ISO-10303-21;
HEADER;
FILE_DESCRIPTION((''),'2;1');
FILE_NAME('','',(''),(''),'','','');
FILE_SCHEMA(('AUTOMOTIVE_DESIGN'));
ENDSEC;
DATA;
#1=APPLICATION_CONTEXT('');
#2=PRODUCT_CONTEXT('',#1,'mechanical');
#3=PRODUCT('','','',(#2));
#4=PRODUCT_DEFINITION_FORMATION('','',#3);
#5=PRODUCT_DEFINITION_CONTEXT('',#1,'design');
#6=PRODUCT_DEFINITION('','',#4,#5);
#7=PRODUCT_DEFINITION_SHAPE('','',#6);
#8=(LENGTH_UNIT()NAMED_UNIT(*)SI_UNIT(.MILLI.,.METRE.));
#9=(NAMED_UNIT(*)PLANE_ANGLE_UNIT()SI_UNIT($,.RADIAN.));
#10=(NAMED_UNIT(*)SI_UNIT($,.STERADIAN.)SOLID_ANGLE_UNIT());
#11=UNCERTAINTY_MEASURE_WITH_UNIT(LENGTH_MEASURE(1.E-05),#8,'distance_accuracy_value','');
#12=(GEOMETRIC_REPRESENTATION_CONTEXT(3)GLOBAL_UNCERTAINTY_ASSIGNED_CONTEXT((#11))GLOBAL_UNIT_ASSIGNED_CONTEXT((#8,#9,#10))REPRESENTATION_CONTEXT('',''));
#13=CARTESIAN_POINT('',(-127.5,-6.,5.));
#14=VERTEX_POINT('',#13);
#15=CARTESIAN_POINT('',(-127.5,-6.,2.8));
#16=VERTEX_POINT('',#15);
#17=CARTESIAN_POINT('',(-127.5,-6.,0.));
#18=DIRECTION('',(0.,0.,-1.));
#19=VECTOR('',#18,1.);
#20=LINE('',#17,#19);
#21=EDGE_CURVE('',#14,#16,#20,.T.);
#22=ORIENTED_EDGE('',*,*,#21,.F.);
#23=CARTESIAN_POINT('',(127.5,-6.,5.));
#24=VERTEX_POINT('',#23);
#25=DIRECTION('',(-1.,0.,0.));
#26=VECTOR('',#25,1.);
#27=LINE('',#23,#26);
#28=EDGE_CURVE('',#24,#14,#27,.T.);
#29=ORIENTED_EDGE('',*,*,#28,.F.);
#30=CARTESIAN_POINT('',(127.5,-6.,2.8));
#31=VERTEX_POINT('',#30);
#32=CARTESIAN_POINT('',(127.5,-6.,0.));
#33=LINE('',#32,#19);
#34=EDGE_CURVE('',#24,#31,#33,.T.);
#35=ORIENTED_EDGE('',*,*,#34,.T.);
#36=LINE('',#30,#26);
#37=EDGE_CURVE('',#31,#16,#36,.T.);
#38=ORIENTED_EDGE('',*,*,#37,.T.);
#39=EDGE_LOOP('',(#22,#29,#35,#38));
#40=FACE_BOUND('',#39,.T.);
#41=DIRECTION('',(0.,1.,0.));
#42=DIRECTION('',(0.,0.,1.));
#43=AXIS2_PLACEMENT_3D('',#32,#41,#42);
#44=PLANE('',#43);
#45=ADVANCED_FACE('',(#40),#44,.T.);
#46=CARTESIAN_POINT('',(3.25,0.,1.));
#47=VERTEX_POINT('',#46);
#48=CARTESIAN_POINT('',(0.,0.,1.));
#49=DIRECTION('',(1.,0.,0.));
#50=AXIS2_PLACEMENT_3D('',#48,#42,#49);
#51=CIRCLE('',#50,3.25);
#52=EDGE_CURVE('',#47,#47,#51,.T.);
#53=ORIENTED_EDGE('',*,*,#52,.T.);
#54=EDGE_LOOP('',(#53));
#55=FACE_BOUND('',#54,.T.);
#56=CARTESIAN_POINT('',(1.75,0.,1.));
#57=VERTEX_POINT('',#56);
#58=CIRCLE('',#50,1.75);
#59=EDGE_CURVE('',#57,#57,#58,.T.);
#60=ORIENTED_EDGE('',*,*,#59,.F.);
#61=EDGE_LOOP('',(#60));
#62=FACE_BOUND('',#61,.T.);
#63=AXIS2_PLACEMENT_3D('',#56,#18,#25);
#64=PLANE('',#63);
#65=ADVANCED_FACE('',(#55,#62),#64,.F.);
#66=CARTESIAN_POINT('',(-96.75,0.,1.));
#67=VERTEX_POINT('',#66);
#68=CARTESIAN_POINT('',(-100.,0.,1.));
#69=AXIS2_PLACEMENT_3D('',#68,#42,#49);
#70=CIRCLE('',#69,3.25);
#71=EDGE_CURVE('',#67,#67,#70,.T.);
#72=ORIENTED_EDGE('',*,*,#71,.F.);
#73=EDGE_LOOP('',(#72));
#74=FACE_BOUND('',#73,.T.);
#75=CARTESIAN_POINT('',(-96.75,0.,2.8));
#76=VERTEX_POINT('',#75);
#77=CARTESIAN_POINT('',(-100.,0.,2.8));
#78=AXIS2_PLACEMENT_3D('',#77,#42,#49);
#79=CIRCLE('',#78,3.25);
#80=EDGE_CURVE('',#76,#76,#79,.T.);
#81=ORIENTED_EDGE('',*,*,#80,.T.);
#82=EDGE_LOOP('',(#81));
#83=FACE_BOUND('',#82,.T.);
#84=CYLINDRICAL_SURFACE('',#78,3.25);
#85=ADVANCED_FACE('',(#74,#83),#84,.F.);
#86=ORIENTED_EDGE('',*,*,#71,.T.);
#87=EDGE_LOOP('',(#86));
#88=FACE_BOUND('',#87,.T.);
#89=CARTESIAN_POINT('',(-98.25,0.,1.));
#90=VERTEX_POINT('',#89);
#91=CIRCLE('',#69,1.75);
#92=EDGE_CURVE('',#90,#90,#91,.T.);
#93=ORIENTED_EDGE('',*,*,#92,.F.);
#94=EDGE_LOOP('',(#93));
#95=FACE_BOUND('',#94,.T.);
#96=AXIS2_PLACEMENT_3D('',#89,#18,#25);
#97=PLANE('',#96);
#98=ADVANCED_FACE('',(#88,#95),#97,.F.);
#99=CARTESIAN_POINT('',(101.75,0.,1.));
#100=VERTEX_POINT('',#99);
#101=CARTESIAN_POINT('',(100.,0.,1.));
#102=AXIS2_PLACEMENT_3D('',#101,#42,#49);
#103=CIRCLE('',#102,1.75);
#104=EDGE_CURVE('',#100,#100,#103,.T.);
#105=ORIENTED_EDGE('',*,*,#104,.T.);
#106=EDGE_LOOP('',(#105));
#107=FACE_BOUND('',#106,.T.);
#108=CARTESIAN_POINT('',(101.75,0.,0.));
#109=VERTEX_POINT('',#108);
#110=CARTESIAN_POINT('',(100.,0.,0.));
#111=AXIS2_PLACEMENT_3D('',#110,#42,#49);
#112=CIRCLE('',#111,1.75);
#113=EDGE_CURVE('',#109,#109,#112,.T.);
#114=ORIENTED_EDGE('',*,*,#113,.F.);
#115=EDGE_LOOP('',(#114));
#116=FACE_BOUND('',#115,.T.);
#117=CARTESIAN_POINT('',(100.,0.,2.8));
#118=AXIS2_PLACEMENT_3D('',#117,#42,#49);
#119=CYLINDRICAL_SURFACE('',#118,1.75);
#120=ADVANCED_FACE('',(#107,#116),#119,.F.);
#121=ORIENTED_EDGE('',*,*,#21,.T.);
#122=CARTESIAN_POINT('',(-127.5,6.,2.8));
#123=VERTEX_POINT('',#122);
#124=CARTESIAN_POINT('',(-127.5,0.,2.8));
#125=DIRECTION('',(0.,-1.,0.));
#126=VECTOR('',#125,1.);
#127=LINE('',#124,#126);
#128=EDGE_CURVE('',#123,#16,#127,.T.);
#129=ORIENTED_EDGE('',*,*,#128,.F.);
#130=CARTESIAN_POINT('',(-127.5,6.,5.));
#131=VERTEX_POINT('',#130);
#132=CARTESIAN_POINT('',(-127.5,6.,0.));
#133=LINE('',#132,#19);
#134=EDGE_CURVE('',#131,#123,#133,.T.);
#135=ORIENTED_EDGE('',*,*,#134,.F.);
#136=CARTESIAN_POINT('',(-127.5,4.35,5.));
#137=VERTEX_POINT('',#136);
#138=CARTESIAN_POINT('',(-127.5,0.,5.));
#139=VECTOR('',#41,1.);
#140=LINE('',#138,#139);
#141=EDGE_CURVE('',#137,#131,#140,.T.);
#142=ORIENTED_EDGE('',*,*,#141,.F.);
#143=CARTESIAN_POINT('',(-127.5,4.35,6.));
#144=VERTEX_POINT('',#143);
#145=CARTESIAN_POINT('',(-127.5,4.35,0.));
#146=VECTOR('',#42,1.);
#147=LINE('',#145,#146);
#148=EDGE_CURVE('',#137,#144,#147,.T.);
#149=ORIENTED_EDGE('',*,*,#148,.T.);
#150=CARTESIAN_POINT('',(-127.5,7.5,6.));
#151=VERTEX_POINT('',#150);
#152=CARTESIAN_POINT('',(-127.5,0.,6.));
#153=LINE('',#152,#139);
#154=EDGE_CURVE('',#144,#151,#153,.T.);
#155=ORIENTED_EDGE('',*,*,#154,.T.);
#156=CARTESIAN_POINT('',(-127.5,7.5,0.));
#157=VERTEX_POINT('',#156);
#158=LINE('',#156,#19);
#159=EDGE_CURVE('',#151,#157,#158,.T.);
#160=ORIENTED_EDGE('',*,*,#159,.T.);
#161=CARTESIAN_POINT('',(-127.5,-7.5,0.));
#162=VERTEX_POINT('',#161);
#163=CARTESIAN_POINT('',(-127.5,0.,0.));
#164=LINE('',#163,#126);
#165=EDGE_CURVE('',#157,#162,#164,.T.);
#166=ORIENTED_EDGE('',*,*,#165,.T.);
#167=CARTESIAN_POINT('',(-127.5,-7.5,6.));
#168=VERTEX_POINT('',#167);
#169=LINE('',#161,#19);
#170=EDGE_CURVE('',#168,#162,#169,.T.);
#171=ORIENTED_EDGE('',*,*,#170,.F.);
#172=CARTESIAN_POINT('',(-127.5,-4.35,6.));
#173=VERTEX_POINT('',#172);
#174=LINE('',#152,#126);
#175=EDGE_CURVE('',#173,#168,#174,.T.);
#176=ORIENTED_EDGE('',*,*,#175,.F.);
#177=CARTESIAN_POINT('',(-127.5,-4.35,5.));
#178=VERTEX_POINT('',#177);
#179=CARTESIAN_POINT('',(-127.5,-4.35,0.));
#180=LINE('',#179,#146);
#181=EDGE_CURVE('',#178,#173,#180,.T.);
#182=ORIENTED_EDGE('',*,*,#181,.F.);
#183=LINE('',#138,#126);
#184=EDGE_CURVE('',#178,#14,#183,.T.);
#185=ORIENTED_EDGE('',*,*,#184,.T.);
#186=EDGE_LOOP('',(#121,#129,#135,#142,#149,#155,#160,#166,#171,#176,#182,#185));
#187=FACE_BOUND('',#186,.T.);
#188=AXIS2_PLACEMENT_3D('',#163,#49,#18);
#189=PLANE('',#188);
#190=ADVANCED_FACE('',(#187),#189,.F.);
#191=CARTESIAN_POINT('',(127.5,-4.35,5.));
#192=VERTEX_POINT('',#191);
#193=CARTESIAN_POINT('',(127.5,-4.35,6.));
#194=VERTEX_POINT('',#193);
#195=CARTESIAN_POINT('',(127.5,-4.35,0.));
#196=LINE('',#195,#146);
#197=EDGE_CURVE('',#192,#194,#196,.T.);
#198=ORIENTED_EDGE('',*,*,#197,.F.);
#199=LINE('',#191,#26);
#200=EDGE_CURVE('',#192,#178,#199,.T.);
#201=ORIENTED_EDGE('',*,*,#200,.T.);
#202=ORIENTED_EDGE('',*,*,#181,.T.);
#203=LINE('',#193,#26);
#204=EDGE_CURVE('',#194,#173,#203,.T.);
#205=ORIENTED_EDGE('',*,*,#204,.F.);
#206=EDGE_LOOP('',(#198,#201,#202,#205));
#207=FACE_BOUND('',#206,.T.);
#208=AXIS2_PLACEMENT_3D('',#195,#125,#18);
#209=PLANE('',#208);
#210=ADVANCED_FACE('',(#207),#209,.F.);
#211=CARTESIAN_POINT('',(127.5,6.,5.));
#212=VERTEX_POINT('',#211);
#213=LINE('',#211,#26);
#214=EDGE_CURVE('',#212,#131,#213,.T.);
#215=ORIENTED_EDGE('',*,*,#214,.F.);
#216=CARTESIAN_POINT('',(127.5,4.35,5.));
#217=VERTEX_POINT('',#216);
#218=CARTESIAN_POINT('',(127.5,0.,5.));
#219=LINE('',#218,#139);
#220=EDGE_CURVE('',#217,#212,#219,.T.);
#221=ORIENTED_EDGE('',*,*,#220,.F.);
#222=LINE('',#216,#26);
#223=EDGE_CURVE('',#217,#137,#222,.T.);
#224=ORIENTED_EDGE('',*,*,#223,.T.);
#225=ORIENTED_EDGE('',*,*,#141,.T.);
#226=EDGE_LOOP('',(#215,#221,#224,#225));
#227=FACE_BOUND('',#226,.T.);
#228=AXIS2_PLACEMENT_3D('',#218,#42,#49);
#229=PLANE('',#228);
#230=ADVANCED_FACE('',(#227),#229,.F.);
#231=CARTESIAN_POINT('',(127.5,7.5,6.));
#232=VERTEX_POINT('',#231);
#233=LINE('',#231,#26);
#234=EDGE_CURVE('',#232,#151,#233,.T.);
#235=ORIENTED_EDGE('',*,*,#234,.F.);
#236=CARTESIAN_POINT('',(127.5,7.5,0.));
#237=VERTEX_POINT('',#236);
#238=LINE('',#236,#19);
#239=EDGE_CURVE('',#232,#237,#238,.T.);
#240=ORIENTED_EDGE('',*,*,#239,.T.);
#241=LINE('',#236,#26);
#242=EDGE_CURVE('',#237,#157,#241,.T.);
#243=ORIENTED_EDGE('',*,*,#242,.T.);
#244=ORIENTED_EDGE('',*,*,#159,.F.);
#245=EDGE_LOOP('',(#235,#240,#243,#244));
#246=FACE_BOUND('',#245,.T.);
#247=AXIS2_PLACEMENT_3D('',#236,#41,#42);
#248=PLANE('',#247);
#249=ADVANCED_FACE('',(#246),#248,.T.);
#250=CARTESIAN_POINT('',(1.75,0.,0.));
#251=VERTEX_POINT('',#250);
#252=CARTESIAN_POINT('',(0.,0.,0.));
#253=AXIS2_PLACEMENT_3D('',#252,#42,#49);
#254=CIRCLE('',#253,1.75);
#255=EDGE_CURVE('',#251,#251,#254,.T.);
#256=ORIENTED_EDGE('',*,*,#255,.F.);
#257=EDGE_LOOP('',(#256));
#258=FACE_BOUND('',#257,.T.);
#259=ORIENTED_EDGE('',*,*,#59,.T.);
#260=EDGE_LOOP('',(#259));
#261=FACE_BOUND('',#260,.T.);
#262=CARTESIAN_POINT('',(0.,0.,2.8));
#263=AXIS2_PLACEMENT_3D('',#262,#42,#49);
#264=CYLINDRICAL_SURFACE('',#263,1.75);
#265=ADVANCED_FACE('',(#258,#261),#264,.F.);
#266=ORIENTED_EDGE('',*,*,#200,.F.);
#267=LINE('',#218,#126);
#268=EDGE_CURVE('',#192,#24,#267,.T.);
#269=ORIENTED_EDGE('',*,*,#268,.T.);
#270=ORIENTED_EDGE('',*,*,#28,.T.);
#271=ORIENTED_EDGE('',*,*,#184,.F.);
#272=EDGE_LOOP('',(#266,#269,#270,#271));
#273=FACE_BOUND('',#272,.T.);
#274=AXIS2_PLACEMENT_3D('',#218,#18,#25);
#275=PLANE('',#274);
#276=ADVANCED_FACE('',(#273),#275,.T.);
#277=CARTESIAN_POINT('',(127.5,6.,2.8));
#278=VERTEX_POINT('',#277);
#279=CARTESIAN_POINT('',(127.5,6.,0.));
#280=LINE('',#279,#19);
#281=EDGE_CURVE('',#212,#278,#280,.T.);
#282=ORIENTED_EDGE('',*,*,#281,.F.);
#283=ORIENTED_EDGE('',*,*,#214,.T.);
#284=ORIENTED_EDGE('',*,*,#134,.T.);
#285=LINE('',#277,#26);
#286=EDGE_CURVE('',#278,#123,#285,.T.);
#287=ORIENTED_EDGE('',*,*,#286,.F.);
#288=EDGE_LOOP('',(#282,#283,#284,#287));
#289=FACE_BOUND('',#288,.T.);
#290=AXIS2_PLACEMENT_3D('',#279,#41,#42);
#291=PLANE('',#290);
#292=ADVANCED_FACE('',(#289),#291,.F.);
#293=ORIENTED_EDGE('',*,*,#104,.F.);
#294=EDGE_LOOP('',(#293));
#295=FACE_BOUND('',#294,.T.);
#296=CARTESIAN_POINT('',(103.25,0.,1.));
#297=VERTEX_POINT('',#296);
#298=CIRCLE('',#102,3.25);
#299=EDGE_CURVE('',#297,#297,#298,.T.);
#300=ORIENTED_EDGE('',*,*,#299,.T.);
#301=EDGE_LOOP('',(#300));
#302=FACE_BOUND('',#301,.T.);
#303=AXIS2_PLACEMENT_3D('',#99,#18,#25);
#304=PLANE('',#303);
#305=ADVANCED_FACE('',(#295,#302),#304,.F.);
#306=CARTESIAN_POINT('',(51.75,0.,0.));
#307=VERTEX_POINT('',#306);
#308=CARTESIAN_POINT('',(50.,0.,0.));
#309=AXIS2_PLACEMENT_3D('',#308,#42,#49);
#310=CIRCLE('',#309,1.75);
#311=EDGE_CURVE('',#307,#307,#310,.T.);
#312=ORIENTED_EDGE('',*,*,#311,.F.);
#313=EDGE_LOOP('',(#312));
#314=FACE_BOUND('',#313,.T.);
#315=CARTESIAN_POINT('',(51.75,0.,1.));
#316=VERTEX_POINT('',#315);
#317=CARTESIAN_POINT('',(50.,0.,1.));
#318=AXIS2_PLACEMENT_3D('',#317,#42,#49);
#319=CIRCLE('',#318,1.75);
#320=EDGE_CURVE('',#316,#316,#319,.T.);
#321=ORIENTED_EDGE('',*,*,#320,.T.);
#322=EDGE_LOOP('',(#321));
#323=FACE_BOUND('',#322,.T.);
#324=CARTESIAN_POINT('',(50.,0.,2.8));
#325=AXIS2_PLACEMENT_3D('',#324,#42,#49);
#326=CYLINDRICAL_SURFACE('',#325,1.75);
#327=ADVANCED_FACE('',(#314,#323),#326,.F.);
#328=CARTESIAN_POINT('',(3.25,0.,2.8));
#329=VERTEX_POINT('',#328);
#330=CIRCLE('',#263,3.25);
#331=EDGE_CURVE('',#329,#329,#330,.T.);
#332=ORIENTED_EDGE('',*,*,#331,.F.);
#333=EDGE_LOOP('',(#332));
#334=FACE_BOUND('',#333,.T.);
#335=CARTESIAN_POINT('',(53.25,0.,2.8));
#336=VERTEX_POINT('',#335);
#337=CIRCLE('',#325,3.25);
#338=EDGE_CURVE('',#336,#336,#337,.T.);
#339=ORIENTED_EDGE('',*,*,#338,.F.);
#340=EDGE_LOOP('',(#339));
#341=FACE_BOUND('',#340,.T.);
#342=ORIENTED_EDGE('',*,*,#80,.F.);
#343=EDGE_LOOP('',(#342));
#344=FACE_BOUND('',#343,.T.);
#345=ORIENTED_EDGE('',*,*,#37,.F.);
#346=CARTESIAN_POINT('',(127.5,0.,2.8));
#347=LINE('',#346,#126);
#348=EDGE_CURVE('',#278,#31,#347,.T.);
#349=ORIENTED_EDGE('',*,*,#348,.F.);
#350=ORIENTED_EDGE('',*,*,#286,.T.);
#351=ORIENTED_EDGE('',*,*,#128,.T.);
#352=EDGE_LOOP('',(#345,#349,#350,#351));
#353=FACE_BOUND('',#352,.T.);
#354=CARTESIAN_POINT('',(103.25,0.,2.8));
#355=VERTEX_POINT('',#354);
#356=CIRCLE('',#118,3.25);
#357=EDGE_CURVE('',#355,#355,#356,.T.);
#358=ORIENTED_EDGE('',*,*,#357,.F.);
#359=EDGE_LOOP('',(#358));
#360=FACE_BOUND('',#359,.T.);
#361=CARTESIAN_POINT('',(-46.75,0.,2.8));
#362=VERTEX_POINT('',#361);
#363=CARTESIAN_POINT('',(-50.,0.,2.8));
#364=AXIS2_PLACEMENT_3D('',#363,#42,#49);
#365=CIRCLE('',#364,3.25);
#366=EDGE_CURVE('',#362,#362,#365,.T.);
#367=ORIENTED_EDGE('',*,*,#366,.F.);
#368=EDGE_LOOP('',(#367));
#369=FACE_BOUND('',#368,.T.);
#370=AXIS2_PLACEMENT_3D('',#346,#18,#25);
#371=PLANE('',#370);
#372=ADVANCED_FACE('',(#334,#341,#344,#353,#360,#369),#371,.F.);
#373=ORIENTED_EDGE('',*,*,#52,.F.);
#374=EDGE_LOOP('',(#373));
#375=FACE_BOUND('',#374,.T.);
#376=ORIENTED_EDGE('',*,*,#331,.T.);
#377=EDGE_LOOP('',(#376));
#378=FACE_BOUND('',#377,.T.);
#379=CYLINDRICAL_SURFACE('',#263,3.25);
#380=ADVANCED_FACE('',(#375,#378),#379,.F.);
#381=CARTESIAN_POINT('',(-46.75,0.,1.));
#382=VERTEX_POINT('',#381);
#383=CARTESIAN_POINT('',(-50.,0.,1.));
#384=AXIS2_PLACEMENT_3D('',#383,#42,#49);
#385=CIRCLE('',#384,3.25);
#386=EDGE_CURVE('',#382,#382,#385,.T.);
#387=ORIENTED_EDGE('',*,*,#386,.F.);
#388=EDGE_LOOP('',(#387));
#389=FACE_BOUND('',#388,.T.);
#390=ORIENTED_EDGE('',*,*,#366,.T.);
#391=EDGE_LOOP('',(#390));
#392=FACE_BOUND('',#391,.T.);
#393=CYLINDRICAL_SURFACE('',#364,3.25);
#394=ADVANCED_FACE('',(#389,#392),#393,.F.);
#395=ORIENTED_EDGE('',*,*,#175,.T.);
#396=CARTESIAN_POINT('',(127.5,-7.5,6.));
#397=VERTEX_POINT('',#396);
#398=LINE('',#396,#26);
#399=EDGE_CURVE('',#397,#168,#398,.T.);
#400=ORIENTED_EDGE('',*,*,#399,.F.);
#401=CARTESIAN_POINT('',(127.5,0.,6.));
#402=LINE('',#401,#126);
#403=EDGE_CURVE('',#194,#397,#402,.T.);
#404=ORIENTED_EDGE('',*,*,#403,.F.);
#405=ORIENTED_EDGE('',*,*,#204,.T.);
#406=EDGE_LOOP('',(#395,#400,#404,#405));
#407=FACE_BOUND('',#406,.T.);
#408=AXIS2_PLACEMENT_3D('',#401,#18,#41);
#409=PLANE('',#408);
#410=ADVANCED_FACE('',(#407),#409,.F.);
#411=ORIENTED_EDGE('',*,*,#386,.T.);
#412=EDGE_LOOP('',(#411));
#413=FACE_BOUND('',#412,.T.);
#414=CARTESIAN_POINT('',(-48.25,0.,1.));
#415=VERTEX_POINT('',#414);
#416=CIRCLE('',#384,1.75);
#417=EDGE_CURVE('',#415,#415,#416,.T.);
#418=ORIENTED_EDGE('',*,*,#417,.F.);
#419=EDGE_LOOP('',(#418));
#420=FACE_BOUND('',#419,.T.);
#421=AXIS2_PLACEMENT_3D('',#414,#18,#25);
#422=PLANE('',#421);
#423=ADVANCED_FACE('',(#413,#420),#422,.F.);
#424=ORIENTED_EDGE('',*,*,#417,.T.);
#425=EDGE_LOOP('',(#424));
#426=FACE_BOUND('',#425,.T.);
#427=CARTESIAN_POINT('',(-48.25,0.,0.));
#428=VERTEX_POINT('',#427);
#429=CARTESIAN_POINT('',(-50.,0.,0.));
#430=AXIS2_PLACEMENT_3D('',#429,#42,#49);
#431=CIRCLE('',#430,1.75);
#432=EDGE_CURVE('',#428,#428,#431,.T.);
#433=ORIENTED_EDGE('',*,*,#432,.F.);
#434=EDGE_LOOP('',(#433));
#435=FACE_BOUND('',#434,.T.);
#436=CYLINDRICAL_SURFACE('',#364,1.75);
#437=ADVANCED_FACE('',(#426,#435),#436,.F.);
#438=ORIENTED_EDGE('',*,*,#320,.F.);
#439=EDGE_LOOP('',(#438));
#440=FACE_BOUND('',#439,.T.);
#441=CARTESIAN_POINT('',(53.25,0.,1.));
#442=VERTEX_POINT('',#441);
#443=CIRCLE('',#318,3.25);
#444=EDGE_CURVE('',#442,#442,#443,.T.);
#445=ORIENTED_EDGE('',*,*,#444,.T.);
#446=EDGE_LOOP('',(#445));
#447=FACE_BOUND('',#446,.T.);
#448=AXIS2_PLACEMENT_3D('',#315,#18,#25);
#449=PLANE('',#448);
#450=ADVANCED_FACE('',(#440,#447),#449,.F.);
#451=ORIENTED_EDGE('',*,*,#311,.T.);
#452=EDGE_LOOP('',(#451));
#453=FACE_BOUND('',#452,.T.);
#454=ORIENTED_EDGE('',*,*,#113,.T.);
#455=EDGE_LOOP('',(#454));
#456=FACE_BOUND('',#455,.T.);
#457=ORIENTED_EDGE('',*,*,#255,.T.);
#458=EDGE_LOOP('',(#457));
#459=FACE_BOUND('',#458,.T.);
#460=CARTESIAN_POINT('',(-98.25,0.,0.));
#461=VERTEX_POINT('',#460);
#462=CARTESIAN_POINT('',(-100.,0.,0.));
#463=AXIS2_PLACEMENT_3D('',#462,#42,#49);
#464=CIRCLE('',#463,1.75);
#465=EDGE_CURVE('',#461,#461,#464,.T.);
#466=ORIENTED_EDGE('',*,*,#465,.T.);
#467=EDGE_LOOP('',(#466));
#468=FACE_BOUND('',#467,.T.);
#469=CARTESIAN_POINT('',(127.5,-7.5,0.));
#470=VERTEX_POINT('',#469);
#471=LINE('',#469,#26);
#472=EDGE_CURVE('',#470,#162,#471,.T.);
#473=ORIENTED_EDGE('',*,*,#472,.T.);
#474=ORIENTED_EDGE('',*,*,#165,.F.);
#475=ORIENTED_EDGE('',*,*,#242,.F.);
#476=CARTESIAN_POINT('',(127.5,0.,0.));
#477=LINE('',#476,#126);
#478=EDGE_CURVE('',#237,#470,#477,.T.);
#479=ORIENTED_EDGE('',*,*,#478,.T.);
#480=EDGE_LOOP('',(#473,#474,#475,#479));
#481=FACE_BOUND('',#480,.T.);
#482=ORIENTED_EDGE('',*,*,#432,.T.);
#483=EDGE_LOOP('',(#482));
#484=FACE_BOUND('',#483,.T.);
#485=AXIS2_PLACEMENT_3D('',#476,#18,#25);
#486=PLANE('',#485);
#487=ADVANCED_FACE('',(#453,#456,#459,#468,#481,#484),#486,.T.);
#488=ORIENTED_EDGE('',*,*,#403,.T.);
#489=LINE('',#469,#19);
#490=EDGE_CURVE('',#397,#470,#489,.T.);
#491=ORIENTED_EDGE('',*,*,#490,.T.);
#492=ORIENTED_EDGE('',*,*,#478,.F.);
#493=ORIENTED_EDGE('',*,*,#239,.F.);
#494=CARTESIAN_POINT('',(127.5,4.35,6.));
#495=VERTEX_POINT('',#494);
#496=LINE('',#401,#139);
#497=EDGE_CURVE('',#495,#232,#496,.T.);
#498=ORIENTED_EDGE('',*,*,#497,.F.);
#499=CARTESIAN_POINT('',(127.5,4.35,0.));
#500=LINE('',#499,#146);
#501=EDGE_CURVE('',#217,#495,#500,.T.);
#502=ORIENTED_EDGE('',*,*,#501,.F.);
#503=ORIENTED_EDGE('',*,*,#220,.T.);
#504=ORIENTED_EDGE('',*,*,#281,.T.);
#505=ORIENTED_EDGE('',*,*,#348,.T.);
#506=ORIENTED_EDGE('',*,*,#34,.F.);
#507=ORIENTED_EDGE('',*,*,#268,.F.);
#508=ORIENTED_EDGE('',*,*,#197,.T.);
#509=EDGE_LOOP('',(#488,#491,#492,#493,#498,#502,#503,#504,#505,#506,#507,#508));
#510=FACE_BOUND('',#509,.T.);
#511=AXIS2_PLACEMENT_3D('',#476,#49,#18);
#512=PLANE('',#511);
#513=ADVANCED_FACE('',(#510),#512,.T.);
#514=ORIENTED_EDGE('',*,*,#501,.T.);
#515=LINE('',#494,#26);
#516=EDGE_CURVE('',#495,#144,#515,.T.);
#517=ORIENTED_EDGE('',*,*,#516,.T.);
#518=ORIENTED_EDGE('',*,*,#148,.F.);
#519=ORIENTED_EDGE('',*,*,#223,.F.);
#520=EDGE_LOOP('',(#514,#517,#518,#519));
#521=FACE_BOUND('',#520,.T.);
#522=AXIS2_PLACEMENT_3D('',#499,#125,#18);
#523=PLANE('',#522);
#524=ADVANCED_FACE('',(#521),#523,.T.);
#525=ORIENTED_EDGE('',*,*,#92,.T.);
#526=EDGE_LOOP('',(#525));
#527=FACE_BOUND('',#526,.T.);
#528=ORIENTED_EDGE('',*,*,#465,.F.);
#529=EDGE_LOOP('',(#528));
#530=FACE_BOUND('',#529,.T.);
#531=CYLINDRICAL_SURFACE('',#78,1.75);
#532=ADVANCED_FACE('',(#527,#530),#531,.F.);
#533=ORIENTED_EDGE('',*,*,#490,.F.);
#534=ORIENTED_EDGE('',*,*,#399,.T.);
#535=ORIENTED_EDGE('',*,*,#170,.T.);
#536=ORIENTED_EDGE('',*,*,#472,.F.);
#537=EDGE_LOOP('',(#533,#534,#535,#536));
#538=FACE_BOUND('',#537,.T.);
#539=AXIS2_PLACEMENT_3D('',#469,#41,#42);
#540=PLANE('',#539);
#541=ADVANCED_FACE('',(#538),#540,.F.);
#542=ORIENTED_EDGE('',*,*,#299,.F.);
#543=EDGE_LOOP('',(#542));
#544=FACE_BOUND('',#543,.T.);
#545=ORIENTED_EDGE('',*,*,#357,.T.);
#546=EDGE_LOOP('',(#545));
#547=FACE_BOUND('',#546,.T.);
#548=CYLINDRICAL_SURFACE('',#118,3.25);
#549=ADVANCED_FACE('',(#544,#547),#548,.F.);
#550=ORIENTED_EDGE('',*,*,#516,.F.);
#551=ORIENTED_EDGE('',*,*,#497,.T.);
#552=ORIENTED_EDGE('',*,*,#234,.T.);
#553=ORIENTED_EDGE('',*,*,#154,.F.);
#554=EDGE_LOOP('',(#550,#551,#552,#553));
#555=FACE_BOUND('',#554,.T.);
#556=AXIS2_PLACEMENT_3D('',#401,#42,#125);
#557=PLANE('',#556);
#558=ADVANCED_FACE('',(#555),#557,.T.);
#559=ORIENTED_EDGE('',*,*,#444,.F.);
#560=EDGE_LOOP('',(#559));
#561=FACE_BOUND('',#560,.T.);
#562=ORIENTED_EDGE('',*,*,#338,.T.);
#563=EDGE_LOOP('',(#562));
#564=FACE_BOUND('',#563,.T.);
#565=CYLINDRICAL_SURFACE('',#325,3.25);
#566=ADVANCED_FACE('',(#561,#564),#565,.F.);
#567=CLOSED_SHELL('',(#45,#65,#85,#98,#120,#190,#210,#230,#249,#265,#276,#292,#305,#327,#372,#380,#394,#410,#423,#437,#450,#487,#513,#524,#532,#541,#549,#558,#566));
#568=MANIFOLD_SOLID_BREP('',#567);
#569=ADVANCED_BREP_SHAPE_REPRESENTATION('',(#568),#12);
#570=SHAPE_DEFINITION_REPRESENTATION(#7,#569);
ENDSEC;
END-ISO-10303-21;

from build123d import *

# Parameters (mm, degrees)
EXTRUDE_1_DEPTH           = 127.5
HOLE_WIZARD_1_D           = 3.5
HOLE_WIZARD_1_CBORE_D     = 6.5
HOLE_WIZARD_1_CBORE_DEPTH = 1.8


with BuildPart() as part:
    # 草图1 → 凸台-拉伸1 (new, symmetric)
    with BuildSketch(Plane(origin=(0, 0, 0), x_dir=(0, 0, -1), z_dir=(1, 0, 0))):
        Polygon((-5, -4.35), (-5, -6), (-2.8, -6), (-2.8, 6), (-5, 6), (-5, 4.35), (-6, 4.35), (-6, 7.5), (0, 7.5), (0, -7.5), (-6, -7.5), (-6, -4.35), align=None)
    extrude(amount=EXTRUDE_1_DEPTH, both=True)

    # 孔1 (through all)
    with Locations(Plane.XY.offset(2.8)):
        with Locations((-100, 0), (-50, 0), (0, 0), (50, 0), (100, 0)):
            CounterBoreHole(HOLE_WIZARD_1_D / 2, HOLE_WIZARD_1_CBORE_D / 2, HOLE_WIZARD_1_CBORE_DEPTH)


solid = part.part
